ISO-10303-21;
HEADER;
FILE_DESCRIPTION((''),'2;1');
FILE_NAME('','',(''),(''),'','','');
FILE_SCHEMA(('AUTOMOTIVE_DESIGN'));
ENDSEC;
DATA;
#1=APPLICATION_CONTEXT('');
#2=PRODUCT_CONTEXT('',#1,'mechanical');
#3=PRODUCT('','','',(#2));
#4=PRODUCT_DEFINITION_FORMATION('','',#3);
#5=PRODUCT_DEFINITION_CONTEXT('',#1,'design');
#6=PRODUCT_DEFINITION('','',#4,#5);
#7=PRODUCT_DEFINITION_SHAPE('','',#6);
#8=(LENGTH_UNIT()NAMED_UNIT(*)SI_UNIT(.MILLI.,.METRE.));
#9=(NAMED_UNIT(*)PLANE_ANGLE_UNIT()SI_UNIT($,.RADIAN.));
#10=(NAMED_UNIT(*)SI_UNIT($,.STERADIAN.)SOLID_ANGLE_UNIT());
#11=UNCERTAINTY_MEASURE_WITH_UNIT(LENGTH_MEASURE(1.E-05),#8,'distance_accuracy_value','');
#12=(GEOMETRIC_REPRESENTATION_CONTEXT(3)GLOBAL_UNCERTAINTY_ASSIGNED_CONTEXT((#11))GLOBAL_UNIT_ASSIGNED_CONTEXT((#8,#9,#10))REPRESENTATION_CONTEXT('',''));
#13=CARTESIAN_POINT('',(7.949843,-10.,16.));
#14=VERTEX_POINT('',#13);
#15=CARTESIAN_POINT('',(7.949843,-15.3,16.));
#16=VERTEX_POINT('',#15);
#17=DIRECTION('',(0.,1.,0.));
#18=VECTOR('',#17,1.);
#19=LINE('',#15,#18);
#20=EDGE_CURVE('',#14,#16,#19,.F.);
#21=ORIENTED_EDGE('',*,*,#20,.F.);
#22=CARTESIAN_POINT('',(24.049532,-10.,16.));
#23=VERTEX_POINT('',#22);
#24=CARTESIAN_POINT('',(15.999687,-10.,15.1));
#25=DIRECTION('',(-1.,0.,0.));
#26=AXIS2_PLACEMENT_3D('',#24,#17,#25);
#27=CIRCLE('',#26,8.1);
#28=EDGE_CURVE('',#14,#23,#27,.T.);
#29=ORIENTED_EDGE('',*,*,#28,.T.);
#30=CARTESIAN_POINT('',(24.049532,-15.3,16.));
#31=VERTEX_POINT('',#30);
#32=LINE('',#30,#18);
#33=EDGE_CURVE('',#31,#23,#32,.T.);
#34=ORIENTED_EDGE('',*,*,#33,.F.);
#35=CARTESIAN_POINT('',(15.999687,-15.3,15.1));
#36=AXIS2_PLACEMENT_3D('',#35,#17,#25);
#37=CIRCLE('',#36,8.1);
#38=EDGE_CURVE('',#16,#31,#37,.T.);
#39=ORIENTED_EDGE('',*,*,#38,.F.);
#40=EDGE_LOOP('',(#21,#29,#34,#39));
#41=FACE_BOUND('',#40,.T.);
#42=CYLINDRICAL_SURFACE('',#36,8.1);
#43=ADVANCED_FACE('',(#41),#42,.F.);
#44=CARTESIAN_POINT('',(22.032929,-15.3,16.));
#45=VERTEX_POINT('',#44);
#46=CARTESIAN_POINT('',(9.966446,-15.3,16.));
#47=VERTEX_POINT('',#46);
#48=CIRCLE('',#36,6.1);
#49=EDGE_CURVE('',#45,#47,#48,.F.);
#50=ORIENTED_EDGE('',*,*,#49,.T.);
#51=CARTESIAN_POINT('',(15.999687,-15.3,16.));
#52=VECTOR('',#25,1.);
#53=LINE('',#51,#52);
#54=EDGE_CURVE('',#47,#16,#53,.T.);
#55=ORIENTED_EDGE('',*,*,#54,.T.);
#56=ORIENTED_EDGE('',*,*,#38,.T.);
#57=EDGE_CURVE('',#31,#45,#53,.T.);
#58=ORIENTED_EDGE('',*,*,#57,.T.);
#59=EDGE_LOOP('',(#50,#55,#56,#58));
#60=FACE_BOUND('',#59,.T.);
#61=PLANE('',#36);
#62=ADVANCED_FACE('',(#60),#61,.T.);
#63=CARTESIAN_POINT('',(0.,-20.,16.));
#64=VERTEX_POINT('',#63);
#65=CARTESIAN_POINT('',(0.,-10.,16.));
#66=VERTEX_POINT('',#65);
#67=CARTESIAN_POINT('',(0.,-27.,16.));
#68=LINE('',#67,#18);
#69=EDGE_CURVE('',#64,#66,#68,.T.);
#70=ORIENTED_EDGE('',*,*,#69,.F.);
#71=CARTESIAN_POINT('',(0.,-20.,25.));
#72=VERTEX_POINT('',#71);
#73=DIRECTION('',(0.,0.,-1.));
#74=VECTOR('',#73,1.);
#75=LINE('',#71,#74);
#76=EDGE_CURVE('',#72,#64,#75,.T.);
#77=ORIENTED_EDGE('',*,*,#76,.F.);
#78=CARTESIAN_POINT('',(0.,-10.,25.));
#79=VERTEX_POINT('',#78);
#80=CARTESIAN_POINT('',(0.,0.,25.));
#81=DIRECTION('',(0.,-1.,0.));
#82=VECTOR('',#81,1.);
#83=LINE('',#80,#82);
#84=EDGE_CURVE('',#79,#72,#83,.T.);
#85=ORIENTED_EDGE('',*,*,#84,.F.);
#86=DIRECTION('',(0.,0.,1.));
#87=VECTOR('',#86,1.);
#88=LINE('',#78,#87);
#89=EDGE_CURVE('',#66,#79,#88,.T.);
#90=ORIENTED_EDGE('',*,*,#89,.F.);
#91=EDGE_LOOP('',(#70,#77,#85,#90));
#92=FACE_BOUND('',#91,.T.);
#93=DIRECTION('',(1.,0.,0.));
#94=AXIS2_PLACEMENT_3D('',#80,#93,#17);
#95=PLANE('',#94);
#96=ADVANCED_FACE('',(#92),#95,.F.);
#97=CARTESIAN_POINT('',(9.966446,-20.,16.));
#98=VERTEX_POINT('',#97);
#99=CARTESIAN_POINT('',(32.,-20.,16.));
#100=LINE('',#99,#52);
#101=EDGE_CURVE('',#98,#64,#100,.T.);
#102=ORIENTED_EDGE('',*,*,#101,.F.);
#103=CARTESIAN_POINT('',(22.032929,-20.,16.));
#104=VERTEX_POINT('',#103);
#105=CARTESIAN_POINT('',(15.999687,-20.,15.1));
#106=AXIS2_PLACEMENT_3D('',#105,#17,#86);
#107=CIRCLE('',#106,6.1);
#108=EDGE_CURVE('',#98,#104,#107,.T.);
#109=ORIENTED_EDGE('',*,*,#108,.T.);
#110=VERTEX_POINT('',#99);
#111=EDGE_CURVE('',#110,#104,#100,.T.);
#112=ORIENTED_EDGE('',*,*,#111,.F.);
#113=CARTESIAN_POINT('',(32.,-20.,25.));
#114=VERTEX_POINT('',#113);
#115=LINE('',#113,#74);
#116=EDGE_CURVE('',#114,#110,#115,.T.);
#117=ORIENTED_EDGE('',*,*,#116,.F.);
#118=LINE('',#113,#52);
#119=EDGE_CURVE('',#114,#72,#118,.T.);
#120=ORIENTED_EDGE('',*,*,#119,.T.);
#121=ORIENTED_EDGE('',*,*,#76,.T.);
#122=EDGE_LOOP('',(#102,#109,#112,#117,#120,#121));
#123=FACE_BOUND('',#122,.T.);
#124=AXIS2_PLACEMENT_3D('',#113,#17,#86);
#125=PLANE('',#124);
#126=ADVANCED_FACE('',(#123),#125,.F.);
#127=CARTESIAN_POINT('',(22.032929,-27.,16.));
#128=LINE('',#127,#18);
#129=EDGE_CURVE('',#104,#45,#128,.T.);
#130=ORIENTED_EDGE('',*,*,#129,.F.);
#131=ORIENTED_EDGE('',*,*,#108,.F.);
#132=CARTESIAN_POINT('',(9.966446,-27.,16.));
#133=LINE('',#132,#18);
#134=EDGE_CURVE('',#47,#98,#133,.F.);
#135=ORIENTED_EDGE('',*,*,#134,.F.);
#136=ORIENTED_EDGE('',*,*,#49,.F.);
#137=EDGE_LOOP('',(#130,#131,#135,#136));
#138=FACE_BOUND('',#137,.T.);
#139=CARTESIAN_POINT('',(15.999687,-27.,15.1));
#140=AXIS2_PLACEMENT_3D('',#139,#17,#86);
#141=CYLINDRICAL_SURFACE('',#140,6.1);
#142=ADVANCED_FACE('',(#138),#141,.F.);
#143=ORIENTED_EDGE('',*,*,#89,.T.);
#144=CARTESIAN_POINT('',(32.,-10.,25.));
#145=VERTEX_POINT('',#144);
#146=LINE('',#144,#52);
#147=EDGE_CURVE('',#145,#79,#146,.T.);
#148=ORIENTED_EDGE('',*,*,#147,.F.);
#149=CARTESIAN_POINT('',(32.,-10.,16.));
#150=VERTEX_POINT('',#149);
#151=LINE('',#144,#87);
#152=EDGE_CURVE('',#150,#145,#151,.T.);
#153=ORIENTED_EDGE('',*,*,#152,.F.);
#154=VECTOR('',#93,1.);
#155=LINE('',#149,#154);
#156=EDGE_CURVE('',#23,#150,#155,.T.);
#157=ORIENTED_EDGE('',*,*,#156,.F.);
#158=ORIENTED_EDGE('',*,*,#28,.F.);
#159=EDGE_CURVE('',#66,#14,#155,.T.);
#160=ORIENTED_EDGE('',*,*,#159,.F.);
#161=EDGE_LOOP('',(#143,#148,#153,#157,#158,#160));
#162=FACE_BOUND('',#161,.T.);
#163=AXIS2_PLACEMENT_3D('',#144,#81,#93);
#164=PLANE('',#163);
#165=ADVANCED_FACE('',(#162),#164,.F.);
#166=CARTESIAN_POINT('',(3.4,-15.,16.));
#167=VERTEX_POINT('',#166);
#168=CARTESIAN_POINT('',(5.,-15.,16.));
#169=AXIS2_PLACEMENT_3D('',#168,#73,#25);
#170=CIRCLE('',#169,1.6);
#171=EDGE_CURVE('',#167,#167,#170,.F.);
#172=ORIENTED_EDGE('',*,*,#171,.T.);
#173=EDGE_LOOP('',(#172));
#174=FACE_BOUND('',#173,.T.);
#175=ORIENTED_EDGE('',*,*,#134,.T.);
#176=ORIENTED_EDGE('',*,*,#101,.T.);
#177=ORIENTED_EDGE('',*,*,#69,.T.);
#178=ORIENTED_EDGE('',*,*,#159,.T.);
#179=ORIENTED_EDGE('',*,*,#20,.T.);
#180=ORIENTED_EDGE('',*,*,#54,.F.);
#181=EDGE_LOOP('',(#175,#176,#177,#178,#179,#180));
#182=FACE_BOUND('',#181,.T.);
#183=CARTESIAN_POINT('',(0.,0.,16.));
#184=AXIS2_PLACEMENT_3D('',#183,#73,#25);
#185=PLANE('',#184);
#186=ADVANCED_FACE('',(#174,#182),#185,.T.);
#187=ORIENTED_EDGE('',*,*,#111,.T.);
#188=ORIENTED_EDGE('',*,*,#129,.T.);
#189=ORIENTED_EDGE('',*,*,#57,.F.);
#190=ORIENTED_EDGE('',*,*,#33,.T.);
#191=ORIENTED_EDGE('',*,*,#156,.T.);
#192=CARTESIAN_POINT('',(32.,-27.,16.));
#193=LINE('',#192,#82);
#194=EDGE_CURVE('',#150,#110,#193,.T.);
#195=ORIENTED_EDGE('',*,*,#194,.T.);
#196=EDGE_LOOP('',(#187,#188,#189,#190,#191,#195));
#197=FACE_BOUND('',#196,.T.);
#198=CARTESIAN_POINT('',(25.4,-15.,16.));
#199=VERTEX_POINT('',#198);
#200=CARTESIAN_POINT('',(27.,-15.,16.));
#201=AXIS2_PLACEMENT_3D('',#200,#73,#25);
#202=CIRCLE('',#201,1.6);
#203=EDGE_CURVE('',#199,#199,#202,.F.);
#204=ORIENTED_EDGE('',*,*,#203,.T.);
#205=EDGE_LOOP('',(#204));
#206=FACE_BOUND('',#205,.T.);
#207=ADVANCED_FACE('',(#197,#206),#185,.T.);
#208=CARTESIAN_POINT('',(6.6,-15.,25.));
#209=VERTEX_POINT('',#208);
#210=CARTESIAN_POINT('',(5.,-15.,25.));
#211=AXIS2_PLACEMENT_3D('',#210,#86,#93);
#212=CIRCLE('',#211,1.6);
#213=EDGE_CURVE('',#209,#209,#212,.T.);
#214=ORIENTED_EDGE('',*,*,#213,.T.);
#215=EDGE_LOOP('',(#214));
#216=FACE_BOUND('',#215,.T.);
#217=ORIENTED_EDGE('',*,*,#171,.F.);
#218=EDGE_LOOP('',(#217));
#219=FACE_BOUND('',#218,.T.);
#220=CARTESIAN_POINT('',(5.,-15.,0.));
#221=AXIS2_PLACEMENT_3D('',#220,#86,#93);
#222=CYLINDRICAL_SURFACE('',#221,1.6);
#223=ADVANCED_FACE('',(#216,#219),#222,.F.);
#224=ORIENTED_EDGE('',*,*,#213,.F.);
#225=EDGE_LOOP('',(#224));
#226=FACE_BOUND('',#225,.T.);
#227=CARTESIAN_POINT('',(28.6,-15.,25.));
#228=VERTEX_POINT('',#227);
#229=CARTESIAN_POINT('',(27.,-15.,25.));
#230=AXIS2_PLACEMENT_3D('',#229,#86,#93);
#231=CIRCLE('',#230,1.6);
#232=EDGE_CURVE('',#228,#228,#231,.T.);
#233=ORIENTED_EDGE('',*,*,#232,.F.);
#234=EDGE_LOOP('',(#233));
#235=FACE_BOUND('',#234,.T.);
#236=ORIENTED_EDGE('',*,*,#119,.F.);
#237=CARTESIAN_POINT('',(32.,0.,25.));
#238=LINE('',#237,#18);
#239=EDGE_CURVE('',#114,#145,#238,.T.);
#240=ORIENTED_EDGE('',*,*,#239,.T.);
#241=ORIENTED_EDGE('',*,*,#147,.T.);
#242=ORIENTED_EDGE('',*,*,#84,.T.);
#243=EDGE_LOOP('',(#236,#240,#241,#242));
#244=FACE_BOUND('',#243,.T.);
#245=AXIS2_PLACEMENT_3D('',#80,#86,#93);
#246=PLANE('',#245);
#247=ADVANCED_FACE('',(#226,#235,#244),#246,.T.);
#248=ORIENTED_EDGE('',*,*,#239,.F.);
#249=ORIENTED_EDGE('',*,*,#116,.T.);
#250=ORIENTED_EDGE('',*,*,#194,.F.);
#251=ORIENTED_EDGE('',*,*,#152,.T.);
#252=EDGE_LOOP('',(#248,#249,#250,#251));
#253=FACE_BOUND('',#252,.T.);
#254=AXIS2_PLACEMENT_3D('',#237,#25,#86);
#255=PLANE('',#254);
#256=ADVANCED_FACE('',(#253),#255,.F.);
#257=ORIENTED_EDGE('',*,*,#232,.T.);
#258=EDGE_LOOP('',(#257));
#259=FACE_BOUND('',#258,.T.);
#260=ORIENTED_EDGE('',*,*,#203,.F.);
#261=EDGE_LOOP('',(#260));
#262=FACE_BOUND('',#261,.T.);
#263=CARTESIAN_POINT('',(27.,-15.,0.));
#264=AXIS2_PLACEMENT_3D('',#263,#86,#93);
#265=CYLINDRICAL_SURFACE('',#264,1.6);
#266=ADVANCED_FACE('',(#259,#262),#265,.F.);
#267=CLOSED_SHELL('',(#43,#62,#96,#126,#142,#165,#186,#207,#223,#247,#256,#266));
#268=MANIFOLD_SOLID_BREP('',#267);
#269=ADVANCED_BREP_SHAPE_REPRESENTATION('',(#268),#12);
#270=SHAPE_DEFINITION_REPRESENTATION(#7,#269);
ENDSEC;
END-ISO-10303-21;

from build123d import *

# Parameters (mm, degrees)
SKETCH1_W           = 32
SKETCH1_H           = 27
SKETCH1_R           = 1.5
BOSS_EXTRUDE1_DEPTH = 25
SKETCH3_W           = 20
SKETCH3_H           = 10
SKETCH3_H_2         = 7
CUT_EXTRUDE1_DEPTH  = 33
SKETCH4_R           = 6.1
CUT_EXTRUDE6_DEPTH  = 18
SKETCH5_R           = 8.1
CUT_EXTRUDE7_DEPTH  = 5.3
SKETCH7_R           = 1.6
CUT_EXTRUDE8_DEPTH  = 26
CUT_EXTRUDE9_DEPTH  = 10
SKETCH10_W          = 32
SKETCH10_H          = 27
CUT_EXTRUDE10_DEPTH = 16


with BuildPart() as part:
    # Sketch1 → Boss-Extrude1 (new body)
    with BuildSketch(Plane.XY):
        with Locations((16, -13.5)):
            Rectangle(SKETCH1_W, SKETCH1_H)
        with Locations((8.5, -3.5)):
            Circle(SKETCH1_R, mode=Mode.SUBTRACT)
        with Locations((23.5, -3.5)):
            Circle(SKETCH1_R, mode=Mode.SUBTRACT)
        with Locations((8.5, -23.5)):
            Circle(SKETCH1_R, mode=Mode.SUBTRACT)
        with Locations((23.5, -23.5)):
            Circle(SKETCH1_R, mode=Mode.SUBTRACT)
    extrude(amount=BOSS_EXTRUDE1_DEPTH)

    # Sketch3 → Cut-Extrude1 (cut, through all)
    with BuildSketch(Plane.ZY):
        with Locations((15, -5)):
            Rectangle(SKETCH3_W, SKETCH3_H)
        with Locations((15, -23.5)):
            Rectangle(SKETCH3_W, SKETCH3_H_2)
    extrude(amount=-CUT_EXTRUDE1_DEPTH, mode=Mode.SUBTRACT)

    # Sketch4 → Cut-Extrude6 (cut, through all)
    with BuildSketch(Plane(origin=(0, -10, 0), x_dir=(1, 0, 0), z_dir=(0, 1, 0))):
        with Locations((15.999687497, -15.1)):
            Circle(SKETCH4_R)
    extrude(amount=-CUT_EXTRUDE6_DEPTH, mode=Mode.SUBTRACT)

    # Sketch5 → Cut-Extrude7 (cut)
    with BuildSketch(Plane(origin=(0, -10, 0), x_dir=(1, 0, 0), z_dir=(0, 1, 0))):
        with Locations((15.999687497, -15.1)):
            Circle(SKETCH5_R)
    extrude(amount=-CUT_EXTRUDE7_DEPTH, mode=Mode.SUBTRACT)

    # Sketch7 → Cut-Extrude8 (cut, through all)
    with BuildSketch(Plane.XY.offset(25)):
        with Locations((5, -15)):
            Circle(SKETCH7_R)
        with Locations((27, -15)):
            Circle(SKETCH7_R)
    extrude(amount=-CUT_EXTRUDE8_DEPTH, mode=Mode.SUBTRACT)

    # Sketch9 → Cut-Extrude9 (cut)
    with BuildSketch(Plane(origin=(0, 0, 0), x_dir=(-1, 0, 0), z_dir=(0, 0, -1))):
        Polygon((-29.138778877, -12.825574808), (-29.952496893, -15.765024245), (-27.813718016, -17.939449437), (-24.861221123, -17.174425192), (-24.047503107, -14.234975755), (-26.186281984, -12.060550563), align=None)
        Polygon((-5, -11.95), (-7.641377482, -13.475), (-7.641377482, -16.525), (-5, -18.05), (-2.358622518, -16.525), (-2.358622518, -13.475), align=None)
    extrude(amount=-CUT_EXTRUDE9_DEPTH, mode=Mode.SUBTRACT)

    # Sketch10 → Cut-Extrude10 (cut)
    with BuildSketch(Plane(origin=(0, 0, 0), x_dir=(-1, 0, 0), z_dir=(0, 0, -1))):
        with Locations((-16, -13.5)):
            Rectangle(SKETCH10_W, SKETCH10_H)
    extrude(amount=-CUT_EXTRUDE10_DEPTH, mode=Mode.SUBTRACT)


solid = part.part
